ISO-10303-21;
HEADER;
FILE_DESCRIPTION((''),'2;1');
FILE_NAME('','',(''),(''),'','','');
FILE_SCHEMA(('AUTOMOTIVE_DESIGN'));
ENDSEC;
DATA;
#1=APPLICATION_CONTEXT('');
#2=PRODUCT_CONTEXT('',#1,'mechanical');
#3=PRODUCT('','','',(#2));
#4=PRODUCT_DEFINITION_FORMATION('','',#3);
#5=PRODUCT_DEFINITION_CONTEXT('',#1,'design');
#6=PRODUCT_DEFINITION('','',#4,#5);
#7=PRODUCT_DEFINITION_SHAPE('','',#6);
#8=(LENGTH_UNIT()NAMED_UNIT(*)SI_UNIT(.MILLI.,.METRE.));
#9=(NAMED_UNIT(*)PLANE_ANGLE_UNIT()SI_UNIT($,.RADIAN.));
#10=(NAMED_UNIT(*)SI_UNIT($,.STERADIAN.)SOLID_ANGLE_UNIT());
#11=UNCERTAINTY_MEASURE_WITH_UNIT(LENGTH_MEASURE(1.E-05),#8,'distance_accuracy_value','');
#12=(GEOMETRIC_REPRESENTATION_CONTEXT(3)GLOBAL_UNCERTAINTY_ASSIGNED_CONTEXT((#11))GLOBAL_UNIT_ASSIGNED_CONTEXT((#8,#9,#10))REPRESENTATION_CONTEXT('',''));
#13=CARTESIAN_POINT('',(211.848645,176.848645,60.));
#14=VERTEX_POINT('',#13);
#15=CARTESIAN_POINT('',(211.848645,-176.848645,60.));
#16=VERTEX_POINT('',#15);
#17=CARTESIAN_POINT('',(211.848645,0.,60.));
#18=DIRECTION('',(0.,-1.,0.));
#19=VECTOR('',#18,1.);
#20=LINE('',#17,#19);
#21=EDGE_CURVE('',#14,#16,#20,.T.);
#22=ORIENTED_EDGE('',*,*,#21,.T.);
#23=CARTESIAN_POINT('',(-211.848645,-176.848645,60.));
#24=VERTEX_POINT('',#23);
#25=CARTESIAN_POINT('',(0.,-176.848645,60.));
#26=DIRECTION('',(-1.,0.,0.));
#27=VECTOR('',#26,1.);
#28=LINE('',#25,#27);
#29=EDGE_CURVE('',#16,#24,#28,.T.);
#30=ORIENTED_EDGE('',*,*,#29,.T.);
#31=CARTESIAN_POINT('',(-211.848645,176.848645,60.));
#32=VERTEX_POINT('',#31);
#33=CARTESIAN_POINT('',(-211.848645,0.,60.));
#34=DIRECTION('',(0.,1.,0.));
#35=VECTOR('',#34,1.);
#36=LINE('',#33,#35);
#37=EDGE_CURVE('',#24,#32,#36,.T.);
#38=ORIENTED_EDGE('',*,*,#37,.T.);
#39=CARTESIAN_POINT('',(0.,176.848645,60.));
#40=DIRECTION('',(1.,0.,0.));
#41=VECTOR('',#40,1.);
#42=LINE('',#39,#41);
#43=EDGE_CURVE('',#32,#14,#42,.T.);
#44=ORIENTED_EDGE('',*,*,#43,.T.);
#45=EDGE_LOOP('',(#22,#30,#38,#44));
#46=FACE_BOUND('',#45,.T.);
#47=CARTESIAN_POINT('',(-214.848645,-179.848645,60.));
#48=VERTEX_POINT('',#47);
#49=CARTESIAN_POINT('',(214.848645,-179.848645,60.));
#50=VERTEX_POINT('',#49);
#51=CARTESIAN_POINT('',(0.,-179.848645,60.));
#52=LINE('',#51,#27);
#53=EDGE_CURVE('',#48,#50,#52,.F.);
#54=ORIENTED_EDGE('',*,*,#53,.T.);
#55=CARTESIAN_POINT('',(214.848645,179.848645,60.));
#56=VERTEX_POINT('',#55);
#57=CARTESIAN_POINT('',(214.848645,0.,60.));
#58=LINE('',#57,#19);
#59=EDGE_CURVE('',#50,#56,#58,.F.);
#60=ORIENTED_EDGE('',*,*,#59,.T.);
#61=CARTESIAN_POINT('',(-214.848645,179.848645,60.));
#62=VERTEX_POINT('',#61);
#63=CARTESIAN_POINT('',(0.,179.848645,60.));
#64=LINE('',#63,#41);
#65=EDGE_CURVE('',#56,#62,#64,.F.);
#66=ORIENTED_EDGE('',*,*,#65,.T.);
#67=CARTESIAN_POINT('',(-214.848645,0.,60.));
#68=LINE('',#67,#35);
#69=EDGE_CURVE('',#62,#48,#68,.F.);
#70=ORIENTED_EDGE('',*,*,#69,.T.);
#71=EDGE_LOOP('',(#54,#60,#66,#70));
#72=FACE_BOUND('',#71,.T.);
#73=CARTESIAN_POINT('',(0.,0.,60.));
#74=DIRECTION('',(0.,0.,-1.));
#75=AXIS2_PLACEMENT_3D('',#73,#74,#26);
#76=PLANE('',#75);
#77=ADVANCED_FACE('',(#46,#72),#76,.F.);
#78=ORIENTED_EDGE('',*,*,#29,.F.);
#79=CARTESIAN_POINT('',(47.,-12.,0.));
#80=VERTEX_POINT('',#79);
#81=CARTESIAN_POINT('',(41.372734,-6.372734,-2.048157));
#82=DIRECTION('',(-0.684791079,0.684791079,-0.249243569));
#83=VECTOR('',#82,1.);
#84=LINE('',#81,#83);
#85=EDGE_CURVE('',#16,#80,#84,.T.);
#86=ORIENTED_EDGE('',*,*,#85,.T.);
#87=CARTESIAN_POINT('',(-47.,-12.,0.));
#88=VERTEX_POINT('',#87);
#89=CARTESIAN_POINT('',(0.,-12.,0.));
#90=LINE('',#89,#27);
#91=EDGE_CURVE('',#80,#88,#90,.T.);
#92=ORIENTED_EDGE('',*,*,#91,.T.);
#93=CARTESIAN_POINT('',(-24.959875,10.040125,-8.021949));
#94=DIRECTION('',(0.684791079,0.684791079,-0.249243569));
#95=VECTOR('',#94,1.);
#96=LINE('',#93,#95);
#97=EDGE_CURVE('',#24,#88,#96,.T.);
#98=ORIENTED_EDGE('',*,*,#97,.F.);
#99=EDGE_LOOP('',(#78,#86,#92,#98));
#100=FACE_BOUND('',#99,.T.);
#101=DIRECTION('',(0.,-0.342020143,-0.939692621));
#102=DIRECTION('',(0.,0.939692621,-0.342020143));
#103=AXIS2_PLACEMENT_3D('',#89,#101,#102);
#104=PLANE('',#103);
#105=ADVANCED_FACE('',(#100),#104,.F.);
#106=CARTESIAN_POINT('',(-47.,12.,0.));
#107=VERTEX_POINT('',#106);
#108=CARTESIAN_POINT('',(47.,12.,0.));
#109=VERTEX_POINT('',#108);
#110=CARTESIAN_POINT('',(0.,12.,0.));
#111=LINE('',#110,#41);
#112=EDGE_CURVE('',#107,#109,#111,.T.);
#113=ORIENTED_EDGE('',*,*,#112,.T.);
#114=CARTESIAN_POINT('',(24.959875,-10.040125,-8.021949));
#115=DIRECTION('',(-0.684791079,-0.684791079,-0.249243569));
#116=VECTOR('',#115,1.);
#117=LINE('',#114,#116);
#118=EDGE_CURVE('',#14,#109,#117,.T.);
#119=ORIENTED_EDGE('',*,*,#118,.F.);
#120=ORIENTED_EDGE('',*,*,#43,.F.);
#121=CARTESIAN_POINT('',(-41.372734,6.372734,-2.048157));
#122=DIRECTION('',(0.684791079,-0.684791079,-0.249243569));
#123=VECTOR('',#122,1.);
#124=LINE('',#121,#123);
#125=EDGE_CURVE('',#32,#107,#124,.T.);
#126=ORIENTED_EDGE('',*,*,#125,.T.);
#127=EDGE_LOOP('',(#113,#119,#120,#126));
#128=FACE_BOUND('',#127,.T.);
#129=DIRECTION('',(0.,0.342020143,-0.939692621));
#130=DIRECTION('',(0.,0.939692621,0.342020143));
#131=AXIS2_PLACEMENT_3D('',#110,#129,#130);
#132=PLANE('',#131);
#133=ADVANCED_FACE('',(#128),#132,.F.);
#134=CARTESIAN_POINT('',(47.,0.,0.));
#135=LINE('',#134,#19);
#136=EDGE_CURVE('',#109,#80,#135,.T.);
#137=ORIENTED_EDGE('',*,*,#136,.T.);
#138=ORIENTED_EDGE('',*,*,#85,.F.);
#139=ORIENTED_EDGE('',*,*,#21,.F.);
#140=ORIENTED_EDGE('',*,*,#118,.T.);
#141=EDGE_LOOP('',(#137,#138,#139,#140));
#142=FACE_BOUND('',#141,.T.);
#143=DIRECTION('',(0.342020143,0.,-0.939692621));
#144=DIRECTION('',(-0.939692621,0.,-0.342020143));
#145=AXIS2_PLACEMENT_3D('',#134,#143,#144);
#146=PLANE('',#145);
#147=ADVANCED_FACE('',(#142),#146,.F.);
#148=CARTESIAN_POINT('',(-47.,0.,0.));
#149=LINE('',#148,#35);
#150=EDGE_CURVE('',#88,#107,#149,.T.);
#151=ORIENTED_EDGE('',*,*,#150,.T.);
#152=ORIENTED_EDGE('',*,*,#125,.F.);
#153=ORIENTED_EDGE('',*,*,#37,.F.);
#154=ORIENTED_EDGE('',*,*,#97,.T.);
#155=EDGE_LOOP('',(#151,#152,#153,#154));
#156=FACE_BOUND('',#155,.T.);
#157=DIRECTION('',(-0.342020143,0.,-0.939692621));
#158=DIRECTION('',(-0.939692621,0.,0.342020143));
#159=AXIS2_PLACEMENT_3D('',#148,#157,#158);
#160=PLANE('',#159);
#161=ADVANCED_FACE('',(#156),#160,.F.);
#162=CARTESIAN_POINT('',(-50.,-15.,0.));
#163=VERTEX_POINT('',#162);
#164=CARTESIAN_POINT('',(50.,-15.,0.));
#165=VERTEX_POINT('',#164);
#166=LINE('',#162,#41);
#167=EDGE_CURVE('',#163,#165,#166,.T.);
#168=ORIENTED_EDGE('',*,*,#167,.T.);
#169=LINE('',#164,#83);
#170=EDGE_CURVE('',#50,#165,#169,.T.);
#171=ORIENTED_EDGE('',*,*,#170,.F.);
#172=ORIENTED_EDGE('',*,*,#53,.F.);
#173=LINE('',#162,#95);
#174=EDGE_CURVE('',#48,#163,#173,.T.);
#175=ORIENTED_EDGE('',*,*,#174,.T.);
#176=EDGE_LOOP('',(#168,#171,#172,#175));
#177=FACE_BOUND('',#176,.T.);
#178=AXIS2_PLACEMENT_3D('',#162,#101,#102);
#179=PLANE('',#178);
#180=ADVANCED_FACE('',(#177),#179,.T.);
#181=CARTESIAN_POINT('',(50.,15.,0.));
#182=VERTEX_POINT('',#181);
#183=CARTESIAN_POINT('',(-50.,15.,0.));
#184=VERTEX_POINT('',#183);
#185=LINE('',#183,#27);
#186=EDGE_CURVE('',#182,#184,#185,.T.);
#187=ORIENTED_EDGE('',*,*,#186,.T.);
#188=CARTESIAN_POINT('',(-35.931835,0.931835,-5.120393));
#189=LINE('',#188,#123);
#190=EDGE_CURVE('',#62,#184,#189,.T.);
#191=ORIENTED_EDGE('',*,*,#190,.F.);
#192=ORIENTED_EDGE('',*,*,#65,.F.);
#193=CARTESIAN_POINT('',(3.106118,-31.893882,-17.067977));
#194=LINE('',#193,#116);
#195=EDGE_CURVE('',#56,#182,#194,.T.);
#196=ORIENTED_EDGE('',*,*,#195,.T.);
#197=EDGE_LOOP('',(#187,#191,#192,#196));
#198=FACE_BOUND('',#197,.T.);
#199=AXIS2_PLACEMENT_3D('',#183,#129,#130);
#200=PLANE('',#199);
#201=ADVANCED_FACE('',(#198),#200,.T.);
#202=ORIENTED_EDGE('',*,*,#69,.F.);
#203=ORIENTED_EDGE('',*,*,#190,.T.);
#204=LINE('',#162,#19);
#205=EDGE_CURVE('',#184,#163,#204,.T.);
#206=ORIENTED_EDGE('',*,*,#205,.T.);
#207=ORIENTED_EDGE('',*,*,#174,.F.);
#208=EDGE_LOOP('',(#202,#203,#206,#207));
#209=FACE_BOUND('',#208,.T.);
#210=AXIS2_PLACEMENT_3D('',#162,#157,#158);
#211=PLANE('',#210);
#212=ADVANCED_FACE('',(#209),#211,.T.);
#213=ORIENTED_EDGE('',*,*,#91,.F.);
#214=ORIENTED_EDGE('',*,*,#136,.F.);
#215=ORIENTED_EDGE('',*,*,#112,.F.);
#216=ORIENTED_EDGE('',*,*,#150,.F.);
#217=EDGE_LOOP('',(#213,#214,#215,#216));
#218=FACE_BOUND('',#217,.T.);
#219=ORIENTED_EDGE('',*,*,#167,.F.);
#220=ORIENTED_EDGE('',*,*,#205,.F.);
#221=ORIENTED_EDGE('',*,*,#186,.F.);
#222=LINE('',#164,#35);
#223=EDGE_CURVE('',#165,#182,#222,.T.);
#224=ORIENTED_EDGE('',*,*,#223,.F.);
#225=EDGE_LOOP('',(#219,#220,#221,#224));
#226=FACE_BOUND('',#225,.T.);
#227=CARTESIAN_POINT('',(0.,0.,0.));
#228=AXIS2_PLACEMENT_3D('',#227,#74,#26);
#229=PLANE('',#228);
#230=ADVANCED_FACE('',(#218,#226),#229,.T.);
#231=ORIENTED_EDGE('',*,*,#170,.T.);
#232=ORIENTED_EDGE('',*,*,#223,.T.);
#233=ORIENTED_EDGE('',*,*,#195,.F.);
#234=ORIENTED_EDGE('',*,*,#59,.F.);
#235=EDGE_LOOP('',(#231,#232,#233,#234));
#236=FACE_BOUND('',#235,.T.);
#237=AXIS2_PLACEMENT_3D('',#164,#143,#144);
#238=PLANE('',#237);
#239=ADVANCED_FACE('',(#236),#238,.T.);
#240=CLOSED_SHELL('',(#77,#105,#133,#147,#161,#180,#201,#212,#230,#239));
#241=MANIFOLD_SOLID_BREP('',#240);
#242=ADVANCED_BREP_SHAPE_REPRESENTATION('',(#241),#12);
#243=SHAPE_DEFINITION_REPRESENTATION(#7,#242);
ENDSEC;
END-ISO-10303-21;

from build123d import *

# Parameters (mm, degrees)
CROQUIS1_W              = 100
CROQUIS1_H              = 30
SALIENTE_EXTRUIR1_DEPTH = 60
SALIENTE_EXTRUIR1_TAPER = -70
CROQUIS2_W              = 94
CROQUIS2_H              = 24
CORTAR_EXTRUIR1_DEPTH   = 60
CORTAR_EXTRUIR1_TAPER   = -70


with BuildPart() as part:
    # Croquis1 → Saliente-Extruir1 (new body)
    with BuildSketch(Plane.XY):
        Rectangle(CROQUIS1_W, CROQUIS1_H)
    extrude(amount=SALIENTE_EXTRUIR1_DEPTH, taper=SALIENTE_EXTRUIR1_TAPER)

    # Croquis2 → Cortar-Extruir1 (cut)
    with BuildSketch(Plane(origin=(0, 0, 0), x_dir=(-1, 0, 0), z_dir=(0, 0, -1))):
        Rectangle(CROQUIS2_W, CROQUIS2_H)
    extrude(amount=-CORTAR_EXTRUIR1_DEPTH, taper=CORTAR_EXTRUIR1_TAPER, mode=Mode.SUBTRACT)


solid = part.part
